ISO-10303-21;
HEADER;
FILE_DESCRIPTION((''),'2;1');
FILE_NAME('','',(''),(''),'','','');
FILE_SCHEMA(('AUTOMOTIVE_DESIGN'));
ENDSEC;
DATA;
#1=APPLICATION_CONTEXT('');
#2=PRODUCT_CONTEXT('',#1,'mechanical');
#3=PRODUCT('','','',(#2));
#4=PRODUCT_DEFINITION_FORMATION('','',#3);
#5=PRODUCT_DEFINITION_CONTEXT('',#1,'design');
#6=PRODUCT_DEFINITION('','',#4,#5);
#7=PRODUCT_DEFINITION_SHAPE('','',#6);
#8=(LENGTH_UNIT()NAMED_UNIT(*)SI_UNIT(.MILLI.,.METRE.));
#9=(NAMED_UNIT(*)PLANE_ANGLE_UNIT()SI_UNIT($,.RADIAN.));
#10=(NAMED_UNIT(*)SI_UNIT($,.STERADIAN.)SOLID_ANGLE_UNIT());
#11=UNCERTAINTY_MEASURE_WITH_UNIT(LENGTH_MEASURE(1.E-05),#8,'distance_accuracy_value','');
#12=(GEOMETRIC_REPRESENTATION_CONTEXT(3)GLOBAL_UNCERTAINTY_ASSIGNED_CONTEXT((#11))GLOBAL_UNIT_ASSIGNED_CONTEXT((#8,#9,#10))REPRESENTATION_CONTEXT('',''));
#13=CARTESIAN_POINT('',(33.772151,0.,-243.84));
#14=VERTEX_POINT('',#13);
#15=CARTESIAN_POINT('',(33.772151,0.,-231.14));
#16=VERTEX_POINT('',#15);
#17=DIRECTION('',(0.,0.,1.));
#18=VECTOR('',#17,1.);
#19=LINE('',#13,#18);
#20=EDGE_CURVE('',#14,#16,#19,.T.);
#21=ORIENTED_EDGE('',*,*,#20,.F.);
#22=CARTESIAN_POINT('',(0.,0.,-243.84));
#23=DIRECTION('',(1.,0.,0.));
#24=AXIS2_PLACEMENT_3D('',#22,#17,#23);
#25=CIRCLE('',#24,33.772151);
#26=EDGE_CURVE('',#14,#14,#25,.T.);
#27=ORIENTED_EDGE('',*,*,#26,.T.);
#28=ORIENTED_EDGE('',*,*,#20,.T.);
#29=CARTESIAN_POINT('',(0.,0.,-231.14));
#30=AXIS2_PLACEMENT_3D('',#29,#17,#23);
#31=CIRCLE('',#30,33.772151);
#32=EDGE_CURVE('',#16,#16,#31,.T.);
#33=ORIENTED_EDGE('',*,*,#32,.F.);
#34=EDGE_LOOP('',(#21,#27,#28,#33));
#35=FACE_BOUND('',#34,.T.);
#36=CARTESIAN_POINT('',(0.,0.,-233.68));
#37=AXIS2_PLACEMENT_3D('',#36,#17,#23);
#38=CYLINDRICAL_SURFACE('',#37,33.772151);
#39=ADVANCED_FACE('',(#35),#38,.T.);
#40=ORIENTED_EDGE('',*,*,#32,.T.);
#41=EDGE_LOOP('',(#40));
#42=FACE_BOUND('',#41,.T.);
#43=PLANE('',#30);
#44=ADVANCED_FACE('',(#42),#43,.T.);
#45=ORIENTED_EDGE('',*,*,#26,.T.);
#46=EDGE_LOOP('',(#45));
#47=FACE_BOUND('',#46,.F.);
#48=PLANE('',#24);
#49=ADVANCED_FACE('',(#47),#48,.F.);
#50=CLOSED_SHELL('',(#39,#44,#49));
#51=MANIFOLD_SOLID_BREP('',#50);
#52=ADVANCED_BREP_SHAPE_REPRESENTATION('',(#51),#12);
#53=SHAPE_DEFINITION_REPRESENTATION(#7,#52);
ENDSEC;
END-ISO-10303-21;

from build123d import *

# Parameters (mm, degrees)
F0_R     = 33.7721508447
F1_DEPTH = 233.68
F2_DEPTH = 231.14
F3_DEPTH = 10.16


with BuildPart() as f1:
    # F0 (on Top) → F1 (new body)
    with BuildSketch(Plane.XY):
        Circle(F0_R)
    extrude(amount=-F1_DEPTH)

    # F2 (cut): a face of the model
    f2_faces = [f1.faces().sort_by_distance(p)[0] for p in [
        (0, 0, 0),
    ]]
    extrude(f2_faces, amount=-F2_DEPTH, mode=Mode.SUBTRACT)

    # F3 (add): a face of the model
    f3_faces = [f1.faces().sort_by_distance(p)[0] for p in [
        (0, 0, -233.68),
    ]]
    extrude(f3_faces, amount=F3_DEPTH)


solid = f1.part
